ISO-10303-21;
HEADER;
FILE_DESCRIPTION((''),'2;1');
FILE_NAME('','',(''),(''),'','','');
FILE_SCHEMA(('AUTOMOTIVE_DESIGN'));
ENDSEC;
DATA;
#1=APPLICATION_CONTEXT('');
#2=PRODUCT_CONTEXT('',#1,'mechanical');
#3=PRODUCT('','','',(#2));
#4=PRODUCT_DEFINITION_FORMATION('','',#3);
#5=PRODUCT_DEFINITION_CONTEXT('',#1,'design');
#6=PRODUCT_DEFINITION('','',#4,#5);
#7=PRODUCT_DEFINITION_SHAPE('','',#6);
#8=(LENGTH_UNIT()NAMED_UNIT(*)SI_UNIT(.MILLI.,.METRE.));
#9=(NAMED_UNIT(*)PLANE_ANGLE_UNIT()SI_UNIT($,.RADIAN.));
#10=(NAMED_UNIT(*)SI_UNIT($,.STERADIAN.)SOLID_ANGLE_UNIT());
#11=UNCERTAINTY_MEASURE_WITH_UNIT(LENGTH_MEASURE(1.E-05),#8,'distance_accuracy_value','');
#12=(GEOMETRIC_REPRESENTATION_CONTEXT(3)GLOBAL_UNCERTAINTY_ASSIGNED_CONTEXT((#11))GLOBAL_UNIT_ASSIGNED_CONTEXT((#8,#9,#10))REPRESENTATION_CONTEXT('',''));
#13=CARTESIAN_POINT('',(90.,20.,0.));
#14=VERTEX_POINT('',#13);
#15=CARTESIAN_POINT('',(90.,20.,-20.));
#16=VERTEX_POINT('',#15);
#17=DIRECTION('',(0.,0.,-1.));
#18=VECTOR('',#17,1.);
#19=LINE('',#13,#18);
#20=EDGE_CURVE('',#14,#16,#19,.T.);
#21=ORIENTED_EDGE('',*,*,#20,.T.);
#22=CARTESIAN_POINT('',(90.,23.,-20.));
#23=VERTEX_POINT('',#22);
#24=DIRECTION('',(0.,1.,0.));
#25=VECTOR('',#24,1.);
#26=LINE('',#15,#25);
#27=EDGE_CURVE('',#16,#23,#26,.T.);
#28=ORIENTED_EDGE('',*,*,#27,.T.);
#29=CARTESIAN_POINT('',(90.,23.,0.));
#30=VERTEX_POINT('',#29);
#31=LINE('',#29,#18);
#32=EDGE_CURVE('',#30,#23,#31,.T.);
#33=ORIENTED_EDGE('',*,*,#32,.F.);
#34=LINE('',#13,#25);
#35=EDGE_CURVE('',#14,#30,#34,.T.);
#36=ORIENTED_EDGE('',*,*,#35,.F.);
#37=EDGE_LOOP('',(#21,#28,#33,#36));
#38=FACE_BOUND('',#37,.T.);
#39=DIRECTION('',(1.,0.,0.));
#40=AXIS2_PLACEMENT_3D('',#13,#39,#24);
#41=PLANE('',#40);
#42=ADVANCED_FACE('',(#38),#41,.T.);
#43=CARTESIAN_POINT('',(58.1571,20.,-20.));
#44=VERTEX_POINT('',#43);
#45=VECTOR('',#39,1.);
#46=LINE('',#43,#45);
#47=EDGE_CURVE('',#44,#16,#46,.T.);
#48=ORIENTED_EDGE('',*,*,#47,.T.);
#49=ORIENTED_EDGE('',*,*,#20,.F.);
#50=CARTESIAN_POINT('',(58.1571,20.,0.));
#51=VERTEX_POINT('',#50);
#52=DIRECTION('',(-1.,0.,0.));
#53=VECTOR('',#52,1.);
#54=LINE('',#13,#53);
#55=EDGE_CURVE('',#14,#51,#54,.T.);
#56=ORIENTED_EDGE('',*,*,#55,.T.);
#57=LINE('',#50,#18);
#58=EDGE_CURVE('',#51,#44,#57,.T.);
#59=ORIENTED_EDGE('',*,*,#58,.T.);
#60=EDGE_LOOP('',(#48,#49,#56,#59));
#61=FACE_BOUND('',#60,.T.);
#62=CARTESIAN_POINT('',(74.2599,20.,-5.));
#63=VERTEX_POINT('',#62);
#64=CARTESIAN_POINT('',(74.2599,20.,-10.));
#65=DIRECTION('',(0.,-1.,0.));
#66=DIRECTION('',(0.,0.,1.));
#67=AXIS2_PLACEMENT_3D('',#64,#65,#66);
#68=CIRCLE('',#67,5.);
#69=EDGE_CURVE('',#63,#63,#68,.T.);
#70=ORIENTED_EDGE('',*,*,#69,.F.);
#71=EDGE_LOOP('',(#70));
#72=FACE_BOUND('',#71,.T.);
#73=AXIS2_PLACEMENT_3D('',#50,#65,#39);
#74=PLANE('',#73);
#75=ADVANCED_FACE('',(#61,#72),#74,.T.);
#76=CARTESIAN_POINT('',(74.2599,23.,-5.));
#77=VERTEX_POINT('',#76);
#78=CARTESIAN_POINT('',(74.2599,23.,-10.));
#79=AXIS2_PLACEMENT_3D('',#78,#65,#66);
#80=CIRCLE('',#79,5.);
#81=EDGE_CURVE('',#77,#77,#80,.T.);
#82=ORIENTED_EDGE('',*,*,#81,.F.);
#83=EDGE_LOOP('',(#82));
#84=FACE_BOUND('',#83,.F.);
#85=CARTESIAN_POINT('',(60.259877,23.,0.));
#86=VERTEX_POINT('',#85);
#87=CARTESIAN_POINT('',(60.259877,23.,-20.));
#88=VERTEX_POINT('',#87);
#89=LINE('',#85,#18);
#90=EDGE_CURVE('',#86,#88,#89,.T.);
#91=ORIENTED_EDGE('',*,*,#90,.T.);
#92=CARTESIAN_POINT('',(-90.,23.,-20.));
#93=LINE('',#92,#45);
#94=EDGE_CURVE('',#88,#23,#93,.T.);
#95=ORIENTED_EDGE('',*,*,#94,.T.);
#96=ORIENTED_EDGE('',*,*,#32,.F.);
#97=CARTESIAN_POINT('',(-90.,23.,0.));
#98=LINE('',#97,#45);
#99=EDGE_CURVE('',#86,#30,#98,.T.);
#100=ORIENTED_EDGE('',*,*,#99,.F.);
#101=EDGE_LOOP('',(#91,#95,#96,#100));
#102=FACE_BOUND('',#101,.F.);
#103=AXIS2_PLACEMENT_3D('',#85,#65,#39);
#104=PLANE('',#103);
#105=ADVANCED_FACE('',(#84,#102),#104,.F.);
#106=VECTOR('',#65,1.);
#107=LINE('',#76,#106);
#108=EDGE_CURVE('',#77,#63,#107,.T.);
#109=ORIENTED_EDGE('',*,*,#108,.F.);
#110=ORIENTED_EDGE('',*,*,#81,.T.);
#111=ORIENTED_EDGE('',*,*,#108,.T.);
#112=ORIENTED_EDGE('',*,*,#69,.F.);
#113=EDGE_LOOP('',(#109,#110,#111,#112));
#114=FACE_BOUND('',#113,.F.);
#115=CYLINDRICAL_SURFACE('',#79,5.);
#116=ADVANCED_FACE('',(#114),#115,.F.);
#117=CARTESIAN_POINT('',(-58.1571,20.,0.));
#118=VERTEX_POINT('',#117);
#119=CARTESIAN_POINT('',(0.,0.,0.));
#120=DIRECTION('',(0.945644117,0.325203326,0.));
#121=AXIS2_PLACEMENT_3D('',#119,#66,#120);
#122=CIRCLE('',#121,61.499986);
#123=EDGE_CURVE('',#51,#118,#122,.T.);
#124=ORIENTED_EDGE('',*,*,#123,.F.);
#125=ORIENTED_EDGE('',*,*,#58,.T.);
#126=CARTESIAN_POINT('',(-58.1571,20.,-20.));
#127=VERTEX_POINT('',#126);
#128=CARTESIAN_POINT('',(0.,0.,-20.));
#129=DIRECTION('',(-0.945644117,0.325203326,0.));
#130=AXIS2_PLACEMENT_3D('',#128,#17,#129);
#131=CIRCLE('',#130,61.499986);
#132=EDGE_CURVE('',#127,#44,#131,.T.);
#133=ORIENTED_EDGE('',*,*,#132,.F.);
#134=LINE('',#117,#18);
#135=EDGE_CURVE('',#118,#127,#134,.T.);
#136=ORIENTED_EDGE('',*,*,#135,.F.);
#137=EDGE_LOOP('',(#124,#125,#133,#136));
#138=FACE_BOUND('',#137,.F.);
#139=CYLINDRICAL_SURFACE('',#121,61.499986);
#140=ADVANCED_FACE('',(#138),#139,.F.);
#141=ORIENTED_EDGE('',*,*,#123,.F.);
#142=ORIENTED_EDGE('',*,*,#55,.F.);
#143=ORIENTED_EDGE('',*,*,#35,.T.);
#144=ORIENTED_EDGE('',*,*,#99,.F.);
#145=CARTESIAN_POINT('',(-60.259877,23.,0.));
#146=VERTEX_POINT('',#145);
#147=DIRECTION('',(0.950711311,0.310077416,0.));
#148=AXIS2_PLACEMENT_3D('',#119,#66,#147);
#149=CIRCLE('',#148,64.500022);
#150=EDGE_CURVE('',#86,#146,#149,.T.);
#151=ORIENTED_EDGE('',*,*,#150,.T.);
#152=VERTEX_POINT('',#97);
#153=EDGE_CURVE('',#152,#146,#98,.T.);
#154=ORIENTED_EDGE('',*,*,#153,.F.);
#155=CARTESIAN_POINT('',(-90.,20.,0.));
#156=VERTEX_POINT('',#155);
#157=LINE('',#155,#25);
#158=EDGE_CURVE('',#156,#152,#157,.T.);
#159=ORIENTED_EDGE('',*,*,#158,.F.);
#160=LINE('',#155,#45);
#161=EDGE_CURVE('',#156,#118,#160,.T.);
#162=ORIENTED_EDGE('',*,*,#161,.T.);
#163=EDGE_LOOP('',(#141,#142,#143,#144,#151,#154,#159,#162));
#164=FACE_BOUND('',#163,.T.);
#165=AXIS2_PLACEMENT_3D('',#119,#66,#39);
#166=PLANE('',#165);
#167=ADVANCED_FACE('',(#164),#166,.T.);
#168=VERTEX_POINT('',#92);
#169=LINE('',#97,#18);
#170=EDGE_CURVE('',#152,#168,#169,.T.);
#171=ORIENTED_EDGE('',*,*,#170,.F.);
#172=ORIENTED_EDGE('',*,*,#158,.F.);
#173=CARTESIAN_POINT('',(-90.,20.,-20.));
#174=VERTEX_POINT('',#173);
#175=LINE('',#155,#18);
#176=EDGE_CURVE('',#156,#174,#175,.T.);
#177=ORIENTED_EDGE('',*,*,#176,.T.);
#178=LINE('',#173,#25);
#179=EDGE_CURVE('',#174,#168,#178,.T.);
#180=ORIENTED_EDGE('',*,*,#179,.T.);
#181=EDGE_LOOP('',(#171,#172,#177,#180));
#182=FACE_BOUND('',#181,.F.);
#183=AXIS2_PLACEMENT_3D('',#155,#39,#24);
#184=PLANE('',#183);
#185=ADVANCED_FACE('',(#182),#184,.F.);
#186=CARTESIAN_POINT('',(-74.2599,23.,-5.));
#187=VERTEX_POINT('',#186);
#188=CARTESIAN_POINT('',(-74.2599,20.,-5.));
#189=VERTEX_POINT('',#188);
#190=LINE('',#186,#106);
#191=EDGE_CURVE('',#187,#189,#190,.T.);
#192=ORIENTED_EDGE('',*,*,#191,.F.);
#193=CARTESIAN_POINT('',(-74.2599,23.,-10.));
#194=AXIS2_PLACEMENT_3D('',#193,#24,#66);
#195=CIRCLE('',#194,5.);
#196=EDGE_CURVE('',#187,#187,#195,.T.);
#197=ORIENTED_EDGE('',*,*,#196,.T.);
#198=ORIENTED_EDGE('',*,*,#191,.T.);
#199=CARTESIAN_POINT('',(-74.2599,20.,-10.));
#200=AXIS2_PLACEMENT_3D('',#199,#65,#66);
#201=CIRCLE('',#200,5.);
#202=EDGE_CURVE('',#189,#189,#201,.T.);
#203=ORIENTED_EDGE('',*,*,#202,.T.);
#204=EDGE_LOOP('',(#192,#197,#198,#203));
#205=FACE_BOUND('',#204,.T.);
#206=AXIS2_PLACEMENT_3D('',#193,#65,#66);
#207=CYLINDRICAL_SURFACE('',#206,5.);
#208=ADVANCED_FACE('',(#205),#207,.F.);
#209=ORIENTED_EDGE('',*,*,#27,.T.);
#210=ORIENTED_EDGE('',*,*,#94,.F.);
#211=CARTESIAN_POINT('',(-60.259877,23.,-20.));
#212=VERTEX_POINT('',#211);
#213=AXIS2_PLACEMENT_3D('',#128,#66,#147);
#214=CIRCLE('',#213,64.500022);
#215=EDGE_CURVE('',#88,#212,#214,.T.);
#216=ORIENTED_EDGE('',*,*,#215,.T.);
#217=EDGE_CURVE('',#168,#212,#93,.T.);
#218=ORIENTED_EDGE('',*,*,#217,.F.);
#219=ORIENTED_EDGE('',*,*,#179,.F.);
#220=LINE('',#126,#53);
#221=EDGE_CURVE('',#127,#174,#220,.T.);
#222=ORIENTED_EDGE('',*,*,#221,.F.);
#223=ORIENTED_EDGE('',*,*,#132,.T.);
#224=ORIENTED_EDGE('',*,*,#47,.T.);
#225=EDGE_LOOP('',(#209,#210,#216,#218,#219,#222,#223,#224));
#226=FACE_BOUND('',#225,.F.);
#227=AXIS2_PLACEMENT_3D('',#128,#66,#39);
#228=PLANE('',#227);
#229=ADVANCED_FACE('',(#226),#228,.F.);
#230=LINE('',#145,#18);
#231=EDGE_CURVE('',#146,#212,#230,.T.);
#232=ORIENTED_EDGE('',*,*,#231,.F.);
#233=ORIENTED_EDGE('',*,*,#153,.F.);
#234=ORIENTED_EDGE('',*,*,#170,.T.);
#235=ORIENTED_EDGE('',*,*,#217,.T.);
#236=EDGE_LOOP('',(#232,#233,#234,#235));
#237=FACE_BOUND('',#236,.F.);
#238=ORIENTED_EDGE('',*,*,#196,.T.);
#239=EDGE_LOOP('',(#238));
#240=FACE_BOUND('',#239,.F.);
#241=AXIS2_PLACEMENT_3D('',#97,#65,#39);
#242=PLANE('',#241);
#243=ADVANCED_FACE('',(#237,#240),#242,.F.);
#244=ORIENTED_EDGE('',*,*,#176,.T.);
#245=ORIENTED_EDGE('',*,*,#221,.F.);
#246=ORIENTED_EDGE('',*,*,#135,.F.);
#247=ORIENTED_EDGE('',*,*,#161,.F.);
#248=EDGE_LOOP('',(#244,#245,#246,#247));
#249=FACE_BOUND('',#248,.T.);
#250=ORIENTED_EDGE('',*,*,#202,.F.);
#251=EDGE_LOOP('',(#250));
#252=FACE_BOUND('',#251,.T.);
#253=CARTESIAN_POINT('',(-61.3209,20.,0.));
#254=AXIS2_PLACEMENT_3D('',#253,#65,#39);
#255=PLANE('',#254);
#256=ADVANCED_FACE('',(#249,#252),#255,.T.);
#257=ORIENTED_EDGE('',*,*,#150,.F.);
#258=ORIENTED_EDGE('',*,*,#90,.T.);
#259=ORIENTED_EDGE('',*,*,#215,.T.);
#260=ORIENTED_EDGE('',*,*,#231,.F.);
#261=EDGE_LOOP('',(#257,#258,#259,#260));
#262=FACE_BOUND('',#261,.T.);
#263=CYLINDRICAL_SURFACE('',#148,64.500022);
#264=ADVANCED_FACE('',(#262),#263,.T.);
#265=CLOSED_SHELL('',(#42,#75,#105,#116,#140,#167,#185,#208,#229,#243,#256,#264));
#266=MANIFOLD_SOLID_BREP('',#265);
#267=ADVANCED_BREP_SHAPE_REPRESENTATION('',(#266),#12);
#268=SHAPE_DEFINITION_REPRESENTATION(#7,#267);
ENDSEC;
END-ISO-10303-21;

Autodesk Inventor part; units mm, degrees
ref_plane "YZ Plane" through (0, 0, 0) normal (1, 0, 0) x (0, 1, 0)
ref_plane "XZ Plane" through (0, 0, 0) normal (0, 1, 0) x (-1, 0, 0)
ref_plane "XY Plane" through (0, 0, 0) normal (0, 0, 1) x (1, 0, 0)
sketch "Sketch1" plane through (0, 0, 0) normal (0, 0, 1) x (1, 0, 0)
  arc A0 (58.1571, 20) -> (-58.1571, 20) centre (0, 0) ccw
  line L0 (-90, 0) -> (90, 0) construction
  line L1 (-90, 20) -> (90, 20)
  line L2 (-90, 23) -> (90, 23)
  line L3 (-90, 20) -> (-90, 23)
  line L4 (90, 20) -> (90, 23)
  arc A1 (61.3209, 20) -> (-61.3209, 20) centre (0, 0) ccw
  point P0 (60.2599, 23)
  point P1 (-60.2599, 23)
  dimension "d8" = 123
  dimension "d12" = 90
  dimension "d13" = 90
  dimension "d14" = 0
  dimension "d15" = 20
  dimension "d16" = 3
  dimension "d17" = 129
  dimension "d18" = 180
  dimension "d19" = 90
extrude "Extrusion2" add sketch "Sketch1" against normal blind 20 contours A0 L2 A1 L1 | A0 L2 A1 | L1 A1 L2 A0 | A1 L2 L4 L1 | L1 L3 L2 A1
sketch "Sketch2" plane through (60.2599, 23, 0) normal (0, 1, 0) x (1, 0, 0)
  circle A0 centre (14, 10) radius 5
  line L0 (29.7401, 0) -> (0, 0) projected
  point P0 (-60.2599, 0)
  dimension "d22" = 10
  dimension "d23" = 10
  dimension "d24" = 14
hole "Hole1" at (74.2599, 23, -10) direction (0, -1, 0) diameter 10 end through all
ref_plane "Work Plane1" through (0, 20, 0) normal (1, 0, 0) x (0, 0, -1)
thread "Thread1" size "M10x1.5" class "6H" standard "ANSI Metric M Profile" full length
mirror "Mirror1" about plane through (0, 20, 0) normal (1, 0, 0) of "Hole1"
properties part number "Holder"
